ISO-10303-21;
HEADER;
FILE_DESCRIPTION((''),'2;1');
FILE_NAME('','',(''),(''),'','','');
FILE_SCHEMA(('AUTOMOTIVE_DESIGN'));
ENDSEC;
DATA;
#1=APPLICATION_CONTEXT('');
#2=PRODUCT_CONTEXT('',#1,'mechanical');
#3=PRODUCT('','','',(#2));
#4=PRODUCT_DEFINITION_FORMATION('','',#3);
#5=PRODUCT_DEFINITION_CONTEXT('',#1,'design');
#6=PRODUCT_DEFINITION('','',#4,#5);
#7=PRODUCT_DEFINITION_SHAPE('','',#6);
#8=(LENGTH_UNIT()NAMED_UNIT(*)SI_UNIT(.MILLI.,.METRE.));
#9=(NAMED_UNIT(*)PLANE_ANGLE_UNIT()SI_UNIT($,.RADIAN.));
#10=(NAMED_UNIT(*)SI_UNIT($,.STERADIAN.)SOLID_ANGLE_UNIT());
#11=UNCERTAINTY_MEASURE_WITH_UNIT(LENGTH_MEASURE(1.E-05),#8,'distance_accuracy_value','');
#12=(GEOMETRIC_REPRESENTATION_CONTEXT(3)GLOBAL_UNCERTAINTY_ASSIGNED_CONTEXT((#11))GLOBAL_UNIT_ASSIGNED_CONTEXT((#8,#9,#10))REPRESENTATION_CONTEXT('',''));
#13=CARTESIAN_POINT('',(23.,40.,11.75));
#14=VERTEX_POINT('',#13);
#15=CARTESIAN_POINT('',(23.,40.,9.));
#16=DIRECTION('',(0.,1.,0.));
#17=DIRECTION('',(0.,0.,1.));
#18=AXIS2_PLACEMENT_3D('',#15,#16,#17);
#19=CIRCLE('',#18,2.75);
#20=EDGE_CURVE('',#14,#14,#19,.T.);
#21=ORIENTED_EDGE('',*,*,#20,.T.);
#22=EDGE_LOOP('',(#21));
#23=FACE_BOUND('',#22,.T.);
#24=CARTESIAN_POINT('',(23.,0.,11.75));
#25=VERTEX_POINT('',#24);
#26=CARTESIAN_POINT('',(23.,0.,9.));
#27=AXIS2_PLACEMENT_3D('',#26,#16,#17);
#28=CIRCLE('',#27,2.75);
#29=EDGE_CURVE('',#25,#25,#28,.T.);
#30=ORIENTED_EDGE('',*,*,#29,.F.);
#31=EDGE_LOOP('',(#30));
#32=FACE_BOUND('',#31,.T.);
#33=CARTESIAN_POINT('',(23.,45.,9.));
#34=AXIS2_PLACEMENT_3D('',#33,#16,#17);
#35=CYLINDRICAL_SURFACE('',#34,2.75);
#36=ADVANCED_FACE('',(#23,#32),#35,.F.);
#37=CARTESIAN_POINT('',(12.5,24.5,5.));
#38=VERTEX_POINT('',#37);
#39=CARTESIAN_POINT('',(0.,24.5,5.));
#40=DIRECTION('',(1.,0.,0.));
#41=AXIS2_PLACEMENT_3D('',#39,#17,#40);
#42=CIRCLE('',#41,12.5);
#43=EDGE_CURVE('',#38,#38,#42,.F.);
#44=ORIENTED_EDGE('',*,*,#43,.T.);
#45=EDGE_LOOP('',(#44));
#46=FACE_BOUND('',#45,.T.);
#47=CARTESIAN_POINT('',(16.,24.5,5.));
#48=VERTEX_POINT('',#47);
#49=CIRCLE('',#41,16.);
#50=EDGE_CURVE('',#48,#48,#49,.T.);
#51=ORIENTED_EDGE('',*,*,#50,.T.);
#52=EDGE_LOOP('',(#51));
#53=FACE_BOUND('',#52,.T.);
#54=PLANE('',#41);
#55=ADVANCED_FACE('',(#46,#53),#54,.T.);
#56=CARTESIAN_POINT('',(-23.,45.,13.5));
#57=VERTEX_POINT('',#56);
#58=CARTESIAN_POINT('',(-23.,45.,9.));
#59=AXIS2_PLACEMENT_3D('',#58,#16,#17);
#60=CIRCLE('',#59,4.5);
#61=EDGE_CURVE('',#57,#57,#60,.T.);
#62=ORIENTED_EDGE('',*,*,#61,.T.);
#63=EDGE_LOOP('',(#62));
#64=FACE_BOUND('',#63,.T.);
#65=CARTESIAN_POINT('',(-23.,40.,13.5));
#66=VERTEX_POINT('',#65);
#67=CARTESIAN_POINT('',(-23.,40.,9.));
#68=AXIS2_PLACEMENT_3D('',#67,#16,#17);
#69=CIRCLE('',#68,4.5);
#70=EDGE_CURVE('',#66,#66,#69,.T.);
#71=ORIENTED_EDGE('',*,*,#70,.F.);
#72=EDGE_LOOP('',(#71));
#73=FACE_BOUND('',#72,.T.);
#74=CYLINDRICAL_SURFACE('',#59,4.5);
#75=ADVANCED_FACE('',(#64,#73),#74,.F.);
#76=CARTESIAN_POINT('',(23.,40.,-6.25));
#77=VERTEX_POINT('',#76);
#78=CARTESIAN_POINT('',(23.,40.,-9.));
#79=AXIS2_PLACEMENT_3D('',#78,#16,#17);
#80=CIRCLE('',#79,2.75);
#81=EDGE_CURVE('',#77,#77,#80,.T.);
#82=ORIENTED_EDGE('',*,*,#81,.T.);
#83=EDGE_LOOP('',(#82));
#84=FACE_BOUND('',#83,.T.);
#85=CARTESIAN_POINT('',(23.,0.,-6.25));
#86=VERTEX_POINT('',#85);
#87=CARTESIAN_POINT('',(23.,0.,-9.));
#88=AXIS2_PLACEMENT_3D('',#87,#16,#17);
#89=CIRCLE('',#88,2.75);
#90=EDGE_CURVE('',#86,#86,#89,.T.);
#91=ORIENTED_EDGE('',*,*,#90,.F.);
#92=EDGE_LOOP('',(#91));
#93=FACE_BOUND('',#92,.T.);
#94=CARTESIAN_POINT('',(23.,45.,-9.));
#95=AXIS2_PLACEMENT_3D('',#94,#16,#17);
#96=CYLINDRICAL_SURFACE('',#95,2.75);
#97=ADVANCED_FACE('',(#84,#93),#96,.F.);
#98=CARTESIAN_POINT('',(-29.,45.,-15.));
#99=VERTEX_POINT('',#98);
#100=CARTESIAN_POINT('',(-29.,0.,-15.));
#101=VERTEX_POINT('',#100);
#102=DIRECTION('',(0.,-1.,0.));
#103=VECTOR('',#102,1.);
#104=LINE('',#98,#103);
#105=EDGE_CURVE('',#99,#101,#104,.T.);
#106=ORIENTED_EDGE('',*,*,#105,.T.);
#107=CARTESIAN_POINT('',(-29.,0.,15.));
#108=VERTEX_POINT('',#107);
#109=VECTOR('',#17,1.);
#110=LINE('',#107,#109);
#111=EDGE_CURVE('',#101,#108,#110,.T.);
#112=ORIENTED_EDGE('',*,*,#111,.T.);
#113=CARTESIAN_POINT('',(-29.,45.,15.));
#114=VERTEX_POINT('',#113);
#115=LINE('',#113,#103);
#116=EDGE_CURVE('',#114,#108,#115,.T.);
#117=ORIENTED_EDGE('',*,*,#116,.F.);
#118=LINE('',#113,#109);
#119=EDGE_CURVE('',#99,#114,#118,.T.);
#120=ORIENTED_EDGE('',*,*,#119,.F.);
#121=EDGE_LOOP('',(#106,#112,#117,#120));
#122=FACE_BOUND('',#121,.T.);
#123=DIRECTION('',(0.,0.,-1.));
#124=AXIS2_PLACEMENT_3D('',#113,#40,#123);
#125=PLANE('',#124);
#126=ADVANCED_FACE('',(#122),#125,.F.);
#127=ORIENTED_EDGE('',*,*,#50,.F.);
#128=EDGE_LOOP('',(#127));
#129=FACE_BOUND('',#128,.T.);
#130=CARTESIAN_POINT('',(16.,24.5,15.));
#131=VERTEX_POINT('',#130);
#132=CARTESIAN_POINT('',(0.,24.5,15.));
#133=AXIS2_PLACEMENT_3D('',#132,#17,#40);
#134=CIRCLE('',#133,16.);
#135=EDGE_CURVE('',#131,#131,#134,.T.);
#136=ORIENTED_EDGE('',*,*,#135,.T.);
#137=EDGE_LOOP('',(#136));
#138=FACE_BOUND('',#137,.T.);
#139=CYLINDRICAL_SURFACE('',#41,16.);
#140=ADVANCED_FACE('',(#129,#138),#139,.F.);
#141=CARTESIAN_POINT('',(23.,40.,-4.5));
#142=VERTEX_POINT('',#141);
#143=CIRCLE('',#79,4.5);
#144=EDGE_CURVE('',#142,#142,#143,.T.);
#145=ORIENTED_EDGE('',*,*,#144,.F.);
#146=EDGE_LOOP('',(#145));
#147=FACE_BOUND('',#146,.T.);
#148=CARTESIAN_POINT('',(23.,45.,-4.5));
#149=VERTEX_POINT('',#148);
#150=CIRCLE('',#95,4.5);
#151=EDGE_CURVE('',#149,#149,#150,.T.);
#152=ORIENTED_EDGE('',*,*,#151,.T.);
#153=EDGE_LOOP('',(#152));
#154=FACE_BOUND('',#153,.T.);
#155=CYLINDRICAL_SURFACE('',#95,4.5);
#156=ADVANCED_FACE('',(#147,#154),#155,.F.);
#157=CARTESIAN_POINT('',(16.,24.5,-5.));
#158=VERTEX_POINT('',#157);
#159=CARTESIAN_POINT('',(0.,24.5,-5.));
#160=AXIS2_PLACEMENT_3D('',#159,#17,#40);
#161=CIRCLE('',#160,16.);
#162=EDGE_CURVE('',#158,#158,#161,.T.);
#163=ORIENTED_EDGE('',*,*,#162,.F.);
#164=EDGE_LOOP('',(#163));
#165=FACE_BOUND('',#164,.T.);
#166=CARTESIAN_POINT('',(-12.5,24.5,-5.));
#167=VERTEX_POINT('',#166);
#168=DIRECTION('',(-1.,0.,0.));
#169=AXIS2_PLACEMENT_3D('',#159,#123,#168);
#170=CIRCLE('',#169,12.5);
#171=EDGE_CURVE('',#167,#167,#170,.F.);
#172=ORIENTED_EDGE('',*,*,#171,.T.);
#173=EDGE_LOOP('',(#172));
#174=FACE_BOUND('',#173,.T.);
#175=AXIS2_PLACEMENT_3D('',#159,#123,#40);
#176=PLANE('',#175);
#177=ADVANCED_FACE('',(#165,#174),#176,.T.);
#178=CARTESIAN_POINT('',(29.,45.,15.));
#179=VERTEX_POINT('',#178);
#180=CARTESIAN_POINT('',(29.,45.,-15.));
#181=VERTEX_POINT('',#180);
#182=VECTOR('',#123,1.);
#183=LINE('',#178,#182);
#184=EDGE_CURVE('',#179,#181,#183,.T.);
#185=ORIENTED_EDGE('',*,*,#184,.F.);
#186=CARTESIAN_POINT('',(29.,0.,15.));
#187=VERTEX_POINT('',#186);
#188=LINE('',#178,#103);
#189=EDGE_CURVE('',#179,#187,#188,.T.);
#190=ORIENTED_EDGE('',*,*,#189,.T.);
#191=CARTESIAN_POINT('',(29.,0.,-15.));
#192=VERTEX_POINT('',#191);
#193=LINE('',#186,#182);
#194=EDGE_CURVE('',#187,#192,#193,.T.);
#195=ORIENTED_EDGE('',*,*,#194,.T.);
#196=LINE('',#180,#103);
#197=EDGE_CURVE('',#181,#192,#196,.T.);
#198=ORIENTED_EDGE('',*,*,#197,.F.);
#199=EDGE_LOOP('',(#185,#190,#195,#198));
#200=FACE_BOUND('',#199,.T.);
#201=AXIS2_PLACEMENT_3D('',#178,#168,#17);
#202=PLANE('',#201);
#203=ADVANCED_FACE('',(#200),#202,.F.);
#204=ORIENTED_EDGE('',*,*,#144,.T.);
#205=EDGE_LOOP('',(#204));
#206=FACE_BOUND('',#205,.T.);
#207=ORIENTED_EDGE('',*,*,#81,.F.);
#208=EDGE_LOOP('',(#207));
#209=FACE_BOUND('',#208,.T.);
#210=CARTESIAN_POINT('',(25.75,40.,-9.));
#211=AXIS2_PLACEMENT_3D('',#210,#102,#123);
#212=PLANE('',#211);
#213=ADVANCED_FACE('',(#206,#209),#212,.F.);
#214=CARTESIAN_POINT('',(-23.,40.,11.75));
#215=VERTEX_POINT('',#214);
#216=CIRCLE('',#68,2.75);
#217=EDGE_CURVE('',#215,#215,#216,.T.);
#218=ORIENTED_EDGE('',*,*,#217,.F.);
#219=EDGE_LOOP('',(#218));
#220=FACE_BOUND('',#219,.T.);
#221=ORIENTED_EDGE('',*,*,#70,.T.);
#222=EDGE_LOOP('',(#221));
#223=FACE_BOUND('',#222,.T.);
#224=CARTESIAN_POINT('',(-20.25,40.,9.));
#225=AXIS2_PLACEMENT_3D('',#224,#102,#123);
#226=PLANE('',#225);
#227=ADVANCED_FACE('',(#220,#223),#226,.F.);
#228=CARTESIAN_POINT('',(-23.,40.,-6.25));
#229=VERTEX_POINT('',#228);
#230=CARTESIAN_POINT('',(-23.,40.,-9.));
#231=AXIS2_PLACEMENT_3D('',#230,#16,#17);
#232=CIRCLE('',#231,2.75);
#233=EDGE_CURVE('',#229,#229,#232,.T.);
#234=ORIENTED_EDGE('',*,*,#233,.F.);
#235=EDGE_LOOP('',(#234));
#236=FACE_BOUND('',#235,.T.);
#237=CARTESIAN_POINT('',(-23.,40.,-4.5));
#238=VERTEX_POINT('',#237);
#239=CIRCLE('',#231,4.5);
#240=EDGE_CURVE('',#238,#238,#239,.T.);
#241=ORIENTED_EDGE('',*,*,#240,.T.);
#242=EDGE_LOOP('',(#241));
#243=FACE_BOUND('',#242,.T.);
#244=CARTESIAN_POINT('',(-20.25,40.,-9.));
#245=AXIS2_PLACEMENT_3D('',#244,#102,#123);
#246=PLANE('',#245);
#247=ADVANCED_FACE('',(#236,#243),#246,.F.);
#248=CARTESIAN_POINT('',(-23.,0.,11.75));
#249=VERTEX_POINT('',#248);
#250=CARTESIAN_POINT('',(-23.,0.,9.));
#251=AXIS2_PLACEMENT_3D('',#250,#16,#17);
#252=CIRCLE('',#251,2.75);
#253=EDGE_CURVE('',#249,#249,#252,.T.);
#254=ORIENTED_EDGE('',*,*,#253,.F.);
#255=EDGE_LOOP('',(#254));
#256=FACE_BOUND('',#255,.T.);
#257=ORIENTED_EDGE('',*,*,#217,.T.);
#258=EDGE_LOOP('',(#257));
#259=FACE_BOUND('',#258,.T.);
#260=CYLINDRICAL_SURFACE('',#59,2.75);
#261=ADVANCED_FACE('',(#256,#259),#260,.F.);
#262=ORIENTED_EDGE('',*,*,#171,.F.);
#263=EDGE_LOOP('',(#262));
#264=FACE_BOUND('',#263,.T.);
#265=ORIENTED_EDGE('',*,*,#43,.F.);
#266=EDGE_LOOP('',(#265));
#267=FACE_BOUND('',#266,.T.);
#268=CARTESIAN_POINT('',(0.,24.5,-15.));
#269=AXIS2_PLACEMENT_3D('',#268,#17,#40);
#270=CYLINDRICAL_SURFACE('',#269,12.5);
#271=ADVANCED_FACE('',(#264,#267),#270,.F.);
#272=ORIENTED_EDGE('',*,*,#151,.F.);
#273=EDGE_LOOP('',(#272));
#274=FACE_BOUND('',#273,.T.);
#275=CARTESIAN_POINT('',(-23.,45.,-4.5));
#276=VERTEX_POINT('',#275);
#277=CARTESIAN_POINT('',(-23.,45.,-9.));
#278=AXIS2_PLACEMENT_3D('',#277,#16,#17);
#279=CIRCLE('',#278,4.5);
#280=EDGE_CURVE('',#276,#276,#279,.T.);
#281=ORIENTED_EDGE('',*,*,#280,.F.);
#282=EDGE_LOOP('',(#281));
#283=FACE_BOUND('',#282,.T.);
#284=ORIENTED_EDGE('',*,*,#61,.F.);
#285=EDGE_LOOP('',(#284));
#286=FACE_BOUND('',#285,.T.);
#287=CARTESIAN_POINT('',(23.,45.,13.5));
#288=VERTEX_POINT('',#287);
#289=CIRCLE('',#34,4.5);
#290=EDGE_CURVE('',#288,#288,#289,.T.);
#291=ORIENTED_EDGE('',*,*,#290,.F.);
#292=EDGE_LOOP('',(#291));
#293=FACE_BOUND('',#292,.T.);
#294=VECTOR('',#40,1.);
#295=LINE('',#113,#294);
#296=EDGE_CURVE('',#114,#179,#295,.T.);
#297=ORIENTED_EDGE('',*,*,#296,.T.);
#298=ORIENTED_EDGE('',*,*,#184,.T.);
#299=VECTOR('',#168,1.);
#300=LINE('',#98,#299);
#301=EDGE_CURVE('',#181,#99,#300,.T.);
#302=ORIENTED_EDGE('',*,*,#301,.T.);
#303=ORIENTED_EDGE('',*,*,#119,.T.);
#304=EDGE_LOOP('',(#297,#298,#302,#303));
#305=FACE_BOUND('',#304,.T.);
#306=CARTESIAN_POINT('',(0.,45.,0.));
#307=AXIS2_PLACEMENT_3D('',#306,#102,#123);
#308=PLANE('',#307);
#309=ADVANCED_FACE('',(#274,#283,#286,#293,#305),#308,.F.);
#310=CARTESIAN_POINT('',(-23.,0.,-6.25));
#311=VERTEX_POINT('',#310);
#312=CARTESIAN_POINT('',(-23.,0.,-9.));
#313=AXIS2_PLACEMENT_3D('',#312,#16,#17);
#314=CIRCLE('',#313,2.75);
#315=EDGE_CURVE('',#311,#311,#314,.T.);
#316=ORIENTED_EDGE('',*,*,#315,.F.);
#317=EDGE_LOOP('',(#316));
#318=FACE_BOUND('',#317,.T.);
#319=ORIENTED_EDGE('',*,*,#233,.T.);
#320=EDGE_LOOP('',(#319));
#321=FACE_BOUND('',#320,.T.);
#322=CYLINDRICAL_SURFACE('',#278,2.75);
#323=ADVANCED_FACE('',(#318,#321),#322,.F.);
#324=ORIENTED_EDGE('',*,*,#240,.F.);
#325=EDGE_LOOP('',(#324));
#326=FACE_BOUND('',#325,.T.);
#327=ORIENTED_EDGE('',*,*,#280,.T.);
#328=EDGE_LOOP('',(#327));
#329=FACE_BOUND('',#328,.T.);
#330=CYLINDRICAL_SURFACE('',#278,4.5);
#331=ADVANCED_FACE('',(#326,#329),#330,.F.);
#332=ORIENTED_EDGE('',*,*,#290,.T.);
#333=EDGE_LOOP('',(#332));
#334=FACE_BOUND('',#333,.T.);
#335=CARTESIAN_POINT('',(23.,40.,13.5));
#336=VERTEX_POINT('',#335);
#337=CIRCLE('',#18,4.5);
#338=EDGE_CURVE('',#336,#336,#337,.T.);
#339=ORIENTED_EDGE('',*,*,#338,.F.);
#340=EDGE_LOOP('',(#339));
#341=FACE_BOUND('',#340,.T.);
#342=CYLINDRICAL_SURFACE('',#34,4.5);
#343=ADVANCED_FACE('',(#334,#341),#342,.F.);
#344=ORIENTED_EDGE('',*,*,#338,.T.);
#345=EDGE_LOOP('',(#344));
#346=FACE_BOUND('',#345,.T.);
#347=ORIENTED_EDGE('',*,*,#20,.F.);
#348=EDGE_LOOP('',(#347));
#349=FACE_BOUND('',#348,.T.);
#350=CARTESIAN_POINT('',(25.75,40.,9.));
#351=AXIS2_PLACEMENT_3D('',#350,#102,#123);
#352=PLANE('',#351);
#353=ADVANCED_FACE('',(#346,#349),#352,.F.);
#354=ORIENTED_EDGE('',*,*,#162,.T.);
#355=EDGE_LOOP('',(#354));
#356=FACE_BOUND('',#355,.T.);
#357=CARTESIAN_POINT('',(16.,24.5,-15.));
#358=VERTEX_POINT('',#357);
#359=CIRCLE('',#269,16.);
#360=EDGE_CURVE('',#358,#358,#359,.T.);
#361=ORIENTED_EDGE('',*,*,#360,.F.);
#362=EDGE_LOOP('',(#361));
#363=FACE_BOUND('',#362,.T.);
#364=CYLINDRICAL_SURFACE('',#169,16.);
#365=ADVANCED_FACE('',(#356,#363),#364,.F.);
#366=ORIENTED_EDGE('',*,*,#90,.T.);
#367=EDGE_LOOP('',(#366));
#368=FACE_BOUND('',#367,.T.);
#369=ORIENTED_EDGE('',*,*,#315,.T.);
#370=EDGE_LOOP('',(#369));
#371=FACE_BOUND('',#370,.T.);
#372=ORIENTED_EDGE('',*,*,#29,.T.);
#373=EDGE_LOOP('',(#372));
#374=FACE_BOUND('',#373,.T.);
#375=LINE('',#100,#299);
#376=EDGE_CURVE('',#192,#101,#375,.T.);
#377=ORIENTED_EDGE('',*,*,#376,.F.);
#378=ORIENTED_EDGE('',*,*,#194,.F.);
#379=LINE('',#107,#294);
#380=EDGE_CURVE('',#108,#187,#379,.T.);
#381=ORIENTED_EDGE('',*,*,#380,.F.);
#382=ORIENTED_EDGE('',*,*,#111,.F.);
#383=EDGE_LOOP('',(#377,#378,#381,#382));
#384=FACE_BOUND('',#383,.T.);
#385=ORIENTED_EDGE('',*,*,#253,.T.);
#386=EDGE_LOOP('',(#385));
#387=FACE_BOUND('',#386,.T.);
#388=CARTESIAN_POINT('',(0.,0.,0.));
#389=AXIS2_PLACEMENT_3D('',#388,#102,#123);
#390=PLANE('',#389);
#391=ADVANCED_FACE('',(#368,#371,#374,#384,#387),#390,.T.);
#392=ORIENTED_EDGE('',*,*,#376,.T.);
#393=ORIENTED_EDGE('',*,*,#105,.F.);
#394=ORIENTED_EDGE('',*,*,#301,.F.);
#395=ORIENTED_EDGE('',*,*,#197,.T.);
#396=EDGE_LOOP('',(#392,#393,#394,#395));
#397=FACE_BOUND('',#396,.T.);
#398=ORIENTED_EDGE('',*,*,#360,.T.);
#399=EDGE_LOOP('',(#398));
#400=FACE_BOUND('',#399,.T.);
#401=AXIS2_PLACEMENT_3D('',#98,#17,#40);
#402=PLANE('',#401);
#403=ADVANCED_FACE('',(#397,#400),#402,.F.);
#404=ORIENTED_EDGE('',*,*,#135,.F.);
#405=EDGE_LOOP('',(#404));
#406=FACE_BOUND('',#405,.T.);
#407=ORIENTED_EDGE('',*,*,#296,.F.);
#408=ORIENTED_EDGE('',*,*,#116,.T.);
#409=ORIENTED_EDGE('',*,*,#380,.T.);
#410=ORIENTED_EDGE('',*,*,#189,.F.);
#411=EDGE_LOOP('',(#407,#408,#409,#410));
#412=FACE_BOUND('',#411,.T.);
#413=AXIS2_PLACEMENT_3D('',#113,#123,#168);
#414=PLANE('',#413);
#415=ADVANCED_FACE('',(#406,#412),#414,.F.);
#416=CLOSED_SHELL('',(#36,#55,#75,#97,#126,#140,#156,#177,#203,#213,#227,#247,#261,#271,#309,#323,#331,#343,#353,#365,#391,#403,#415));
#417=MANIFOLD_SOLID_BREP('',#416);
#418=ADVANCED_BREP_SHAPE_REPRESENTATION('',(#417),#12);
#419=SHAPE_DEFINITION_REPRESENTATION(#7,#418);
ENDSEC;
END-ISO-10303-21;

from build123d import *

# Parameters (mm, degrees)
SZKIC1_W                                             = 58
SZKIC1_H                                             = 30
DODANIE_WYCI_GNI_CIE1_DEPTH                          = 45
SZKIC3_R                                             = 12.5
WYTNIJ_WYCI_GNI_CIE2_DEPTH                           = 62.36774397
SZKIC4_R                                             = 16
WYTNIJ_WYCI_GNI_CIE3_DEPTH                           = 10
POG_BIENIE_WALCOWE_POD_M5_WKR_T_DO_CZ_CI_D           = 5.5
POG_BIENIE_WALCOWE_POD_M5_WKR_T_DO_CZ_CI_CBORE_D     = 9
POG_BIENIE_WALCOWE_POD_M5_WKR_T_DO_CZ_CI_CBORE_DEPTH = 5


with BuildPart() as part:
    # Szkic1 → Dodanie-wyciągnięcie1 (new body)
    with BuildSketch(Plane(origin=(0, 0, 0), x_dir=(1, 0, 0), z_dir=(0, 1, 0))):
        Rectangle(SZKIC1_W, SZKIC1_H)
    extrude(amount=DODANIE_WYCI_GNI_CIE1_DEPTH)

    # Szkic3 → Wytnij-wyciągnięcie2 (cut, through all)
    with BuildSketch(Plane.XY.offset(15)):
        with Locations((0, 24.5)):
            Circle(SZKIC3_R)
    extrude(amount=-WYTNIJ_WYCI_GNI_CIE2_DEPTH, mode=Mode.SUBTRACT)

    # Szkic4 → Wytnij-wyciągnięcie3 (cut)
    with BuildSketch(Plane.XY.offset(15)):
        with Locations((0, 24.5)):
            Circle(SZKIC4_R)
    wytnij_wyci_gni_cie3 = extrude(amount=-WYTNIJ_WYCI_GNI_CIE3_DEPTH, mode=Mode.SUBTRACT)

    # Lustro1: Wytnij-wyciągnięcie3 across plane
    add(wytnij_wyci_gni_cie3.mirror(Plane.XY), mode=Mode.SUBTRACT)

    # Pogłębienie walcowe pod M5 Wkręt do części metalowych z łbem sześciokątnym1 (through all)
    with Locations(Plane(origin=(0, 45, 0), x_dir=(1, 0, 0), z_dir=(0, 1, 0))):
        with Locations((-23, -9), (-23, 9), (23, -9), (23, 9)):
            CounterBoreHole(POG_BIENIE_WALCOWE_POD_M5_WKR_T_DO_CZ_CI_D / 2, POG_BIENIE_WALCOWE_POD_M5_WKR_T_DO_CZ_CI_CBORE_D / 2, POG_BIENIE_WALCOWE_POD_M5_WKR_T_DO_CZ_CI_CBORE_DEPTH)


solid = part.part
